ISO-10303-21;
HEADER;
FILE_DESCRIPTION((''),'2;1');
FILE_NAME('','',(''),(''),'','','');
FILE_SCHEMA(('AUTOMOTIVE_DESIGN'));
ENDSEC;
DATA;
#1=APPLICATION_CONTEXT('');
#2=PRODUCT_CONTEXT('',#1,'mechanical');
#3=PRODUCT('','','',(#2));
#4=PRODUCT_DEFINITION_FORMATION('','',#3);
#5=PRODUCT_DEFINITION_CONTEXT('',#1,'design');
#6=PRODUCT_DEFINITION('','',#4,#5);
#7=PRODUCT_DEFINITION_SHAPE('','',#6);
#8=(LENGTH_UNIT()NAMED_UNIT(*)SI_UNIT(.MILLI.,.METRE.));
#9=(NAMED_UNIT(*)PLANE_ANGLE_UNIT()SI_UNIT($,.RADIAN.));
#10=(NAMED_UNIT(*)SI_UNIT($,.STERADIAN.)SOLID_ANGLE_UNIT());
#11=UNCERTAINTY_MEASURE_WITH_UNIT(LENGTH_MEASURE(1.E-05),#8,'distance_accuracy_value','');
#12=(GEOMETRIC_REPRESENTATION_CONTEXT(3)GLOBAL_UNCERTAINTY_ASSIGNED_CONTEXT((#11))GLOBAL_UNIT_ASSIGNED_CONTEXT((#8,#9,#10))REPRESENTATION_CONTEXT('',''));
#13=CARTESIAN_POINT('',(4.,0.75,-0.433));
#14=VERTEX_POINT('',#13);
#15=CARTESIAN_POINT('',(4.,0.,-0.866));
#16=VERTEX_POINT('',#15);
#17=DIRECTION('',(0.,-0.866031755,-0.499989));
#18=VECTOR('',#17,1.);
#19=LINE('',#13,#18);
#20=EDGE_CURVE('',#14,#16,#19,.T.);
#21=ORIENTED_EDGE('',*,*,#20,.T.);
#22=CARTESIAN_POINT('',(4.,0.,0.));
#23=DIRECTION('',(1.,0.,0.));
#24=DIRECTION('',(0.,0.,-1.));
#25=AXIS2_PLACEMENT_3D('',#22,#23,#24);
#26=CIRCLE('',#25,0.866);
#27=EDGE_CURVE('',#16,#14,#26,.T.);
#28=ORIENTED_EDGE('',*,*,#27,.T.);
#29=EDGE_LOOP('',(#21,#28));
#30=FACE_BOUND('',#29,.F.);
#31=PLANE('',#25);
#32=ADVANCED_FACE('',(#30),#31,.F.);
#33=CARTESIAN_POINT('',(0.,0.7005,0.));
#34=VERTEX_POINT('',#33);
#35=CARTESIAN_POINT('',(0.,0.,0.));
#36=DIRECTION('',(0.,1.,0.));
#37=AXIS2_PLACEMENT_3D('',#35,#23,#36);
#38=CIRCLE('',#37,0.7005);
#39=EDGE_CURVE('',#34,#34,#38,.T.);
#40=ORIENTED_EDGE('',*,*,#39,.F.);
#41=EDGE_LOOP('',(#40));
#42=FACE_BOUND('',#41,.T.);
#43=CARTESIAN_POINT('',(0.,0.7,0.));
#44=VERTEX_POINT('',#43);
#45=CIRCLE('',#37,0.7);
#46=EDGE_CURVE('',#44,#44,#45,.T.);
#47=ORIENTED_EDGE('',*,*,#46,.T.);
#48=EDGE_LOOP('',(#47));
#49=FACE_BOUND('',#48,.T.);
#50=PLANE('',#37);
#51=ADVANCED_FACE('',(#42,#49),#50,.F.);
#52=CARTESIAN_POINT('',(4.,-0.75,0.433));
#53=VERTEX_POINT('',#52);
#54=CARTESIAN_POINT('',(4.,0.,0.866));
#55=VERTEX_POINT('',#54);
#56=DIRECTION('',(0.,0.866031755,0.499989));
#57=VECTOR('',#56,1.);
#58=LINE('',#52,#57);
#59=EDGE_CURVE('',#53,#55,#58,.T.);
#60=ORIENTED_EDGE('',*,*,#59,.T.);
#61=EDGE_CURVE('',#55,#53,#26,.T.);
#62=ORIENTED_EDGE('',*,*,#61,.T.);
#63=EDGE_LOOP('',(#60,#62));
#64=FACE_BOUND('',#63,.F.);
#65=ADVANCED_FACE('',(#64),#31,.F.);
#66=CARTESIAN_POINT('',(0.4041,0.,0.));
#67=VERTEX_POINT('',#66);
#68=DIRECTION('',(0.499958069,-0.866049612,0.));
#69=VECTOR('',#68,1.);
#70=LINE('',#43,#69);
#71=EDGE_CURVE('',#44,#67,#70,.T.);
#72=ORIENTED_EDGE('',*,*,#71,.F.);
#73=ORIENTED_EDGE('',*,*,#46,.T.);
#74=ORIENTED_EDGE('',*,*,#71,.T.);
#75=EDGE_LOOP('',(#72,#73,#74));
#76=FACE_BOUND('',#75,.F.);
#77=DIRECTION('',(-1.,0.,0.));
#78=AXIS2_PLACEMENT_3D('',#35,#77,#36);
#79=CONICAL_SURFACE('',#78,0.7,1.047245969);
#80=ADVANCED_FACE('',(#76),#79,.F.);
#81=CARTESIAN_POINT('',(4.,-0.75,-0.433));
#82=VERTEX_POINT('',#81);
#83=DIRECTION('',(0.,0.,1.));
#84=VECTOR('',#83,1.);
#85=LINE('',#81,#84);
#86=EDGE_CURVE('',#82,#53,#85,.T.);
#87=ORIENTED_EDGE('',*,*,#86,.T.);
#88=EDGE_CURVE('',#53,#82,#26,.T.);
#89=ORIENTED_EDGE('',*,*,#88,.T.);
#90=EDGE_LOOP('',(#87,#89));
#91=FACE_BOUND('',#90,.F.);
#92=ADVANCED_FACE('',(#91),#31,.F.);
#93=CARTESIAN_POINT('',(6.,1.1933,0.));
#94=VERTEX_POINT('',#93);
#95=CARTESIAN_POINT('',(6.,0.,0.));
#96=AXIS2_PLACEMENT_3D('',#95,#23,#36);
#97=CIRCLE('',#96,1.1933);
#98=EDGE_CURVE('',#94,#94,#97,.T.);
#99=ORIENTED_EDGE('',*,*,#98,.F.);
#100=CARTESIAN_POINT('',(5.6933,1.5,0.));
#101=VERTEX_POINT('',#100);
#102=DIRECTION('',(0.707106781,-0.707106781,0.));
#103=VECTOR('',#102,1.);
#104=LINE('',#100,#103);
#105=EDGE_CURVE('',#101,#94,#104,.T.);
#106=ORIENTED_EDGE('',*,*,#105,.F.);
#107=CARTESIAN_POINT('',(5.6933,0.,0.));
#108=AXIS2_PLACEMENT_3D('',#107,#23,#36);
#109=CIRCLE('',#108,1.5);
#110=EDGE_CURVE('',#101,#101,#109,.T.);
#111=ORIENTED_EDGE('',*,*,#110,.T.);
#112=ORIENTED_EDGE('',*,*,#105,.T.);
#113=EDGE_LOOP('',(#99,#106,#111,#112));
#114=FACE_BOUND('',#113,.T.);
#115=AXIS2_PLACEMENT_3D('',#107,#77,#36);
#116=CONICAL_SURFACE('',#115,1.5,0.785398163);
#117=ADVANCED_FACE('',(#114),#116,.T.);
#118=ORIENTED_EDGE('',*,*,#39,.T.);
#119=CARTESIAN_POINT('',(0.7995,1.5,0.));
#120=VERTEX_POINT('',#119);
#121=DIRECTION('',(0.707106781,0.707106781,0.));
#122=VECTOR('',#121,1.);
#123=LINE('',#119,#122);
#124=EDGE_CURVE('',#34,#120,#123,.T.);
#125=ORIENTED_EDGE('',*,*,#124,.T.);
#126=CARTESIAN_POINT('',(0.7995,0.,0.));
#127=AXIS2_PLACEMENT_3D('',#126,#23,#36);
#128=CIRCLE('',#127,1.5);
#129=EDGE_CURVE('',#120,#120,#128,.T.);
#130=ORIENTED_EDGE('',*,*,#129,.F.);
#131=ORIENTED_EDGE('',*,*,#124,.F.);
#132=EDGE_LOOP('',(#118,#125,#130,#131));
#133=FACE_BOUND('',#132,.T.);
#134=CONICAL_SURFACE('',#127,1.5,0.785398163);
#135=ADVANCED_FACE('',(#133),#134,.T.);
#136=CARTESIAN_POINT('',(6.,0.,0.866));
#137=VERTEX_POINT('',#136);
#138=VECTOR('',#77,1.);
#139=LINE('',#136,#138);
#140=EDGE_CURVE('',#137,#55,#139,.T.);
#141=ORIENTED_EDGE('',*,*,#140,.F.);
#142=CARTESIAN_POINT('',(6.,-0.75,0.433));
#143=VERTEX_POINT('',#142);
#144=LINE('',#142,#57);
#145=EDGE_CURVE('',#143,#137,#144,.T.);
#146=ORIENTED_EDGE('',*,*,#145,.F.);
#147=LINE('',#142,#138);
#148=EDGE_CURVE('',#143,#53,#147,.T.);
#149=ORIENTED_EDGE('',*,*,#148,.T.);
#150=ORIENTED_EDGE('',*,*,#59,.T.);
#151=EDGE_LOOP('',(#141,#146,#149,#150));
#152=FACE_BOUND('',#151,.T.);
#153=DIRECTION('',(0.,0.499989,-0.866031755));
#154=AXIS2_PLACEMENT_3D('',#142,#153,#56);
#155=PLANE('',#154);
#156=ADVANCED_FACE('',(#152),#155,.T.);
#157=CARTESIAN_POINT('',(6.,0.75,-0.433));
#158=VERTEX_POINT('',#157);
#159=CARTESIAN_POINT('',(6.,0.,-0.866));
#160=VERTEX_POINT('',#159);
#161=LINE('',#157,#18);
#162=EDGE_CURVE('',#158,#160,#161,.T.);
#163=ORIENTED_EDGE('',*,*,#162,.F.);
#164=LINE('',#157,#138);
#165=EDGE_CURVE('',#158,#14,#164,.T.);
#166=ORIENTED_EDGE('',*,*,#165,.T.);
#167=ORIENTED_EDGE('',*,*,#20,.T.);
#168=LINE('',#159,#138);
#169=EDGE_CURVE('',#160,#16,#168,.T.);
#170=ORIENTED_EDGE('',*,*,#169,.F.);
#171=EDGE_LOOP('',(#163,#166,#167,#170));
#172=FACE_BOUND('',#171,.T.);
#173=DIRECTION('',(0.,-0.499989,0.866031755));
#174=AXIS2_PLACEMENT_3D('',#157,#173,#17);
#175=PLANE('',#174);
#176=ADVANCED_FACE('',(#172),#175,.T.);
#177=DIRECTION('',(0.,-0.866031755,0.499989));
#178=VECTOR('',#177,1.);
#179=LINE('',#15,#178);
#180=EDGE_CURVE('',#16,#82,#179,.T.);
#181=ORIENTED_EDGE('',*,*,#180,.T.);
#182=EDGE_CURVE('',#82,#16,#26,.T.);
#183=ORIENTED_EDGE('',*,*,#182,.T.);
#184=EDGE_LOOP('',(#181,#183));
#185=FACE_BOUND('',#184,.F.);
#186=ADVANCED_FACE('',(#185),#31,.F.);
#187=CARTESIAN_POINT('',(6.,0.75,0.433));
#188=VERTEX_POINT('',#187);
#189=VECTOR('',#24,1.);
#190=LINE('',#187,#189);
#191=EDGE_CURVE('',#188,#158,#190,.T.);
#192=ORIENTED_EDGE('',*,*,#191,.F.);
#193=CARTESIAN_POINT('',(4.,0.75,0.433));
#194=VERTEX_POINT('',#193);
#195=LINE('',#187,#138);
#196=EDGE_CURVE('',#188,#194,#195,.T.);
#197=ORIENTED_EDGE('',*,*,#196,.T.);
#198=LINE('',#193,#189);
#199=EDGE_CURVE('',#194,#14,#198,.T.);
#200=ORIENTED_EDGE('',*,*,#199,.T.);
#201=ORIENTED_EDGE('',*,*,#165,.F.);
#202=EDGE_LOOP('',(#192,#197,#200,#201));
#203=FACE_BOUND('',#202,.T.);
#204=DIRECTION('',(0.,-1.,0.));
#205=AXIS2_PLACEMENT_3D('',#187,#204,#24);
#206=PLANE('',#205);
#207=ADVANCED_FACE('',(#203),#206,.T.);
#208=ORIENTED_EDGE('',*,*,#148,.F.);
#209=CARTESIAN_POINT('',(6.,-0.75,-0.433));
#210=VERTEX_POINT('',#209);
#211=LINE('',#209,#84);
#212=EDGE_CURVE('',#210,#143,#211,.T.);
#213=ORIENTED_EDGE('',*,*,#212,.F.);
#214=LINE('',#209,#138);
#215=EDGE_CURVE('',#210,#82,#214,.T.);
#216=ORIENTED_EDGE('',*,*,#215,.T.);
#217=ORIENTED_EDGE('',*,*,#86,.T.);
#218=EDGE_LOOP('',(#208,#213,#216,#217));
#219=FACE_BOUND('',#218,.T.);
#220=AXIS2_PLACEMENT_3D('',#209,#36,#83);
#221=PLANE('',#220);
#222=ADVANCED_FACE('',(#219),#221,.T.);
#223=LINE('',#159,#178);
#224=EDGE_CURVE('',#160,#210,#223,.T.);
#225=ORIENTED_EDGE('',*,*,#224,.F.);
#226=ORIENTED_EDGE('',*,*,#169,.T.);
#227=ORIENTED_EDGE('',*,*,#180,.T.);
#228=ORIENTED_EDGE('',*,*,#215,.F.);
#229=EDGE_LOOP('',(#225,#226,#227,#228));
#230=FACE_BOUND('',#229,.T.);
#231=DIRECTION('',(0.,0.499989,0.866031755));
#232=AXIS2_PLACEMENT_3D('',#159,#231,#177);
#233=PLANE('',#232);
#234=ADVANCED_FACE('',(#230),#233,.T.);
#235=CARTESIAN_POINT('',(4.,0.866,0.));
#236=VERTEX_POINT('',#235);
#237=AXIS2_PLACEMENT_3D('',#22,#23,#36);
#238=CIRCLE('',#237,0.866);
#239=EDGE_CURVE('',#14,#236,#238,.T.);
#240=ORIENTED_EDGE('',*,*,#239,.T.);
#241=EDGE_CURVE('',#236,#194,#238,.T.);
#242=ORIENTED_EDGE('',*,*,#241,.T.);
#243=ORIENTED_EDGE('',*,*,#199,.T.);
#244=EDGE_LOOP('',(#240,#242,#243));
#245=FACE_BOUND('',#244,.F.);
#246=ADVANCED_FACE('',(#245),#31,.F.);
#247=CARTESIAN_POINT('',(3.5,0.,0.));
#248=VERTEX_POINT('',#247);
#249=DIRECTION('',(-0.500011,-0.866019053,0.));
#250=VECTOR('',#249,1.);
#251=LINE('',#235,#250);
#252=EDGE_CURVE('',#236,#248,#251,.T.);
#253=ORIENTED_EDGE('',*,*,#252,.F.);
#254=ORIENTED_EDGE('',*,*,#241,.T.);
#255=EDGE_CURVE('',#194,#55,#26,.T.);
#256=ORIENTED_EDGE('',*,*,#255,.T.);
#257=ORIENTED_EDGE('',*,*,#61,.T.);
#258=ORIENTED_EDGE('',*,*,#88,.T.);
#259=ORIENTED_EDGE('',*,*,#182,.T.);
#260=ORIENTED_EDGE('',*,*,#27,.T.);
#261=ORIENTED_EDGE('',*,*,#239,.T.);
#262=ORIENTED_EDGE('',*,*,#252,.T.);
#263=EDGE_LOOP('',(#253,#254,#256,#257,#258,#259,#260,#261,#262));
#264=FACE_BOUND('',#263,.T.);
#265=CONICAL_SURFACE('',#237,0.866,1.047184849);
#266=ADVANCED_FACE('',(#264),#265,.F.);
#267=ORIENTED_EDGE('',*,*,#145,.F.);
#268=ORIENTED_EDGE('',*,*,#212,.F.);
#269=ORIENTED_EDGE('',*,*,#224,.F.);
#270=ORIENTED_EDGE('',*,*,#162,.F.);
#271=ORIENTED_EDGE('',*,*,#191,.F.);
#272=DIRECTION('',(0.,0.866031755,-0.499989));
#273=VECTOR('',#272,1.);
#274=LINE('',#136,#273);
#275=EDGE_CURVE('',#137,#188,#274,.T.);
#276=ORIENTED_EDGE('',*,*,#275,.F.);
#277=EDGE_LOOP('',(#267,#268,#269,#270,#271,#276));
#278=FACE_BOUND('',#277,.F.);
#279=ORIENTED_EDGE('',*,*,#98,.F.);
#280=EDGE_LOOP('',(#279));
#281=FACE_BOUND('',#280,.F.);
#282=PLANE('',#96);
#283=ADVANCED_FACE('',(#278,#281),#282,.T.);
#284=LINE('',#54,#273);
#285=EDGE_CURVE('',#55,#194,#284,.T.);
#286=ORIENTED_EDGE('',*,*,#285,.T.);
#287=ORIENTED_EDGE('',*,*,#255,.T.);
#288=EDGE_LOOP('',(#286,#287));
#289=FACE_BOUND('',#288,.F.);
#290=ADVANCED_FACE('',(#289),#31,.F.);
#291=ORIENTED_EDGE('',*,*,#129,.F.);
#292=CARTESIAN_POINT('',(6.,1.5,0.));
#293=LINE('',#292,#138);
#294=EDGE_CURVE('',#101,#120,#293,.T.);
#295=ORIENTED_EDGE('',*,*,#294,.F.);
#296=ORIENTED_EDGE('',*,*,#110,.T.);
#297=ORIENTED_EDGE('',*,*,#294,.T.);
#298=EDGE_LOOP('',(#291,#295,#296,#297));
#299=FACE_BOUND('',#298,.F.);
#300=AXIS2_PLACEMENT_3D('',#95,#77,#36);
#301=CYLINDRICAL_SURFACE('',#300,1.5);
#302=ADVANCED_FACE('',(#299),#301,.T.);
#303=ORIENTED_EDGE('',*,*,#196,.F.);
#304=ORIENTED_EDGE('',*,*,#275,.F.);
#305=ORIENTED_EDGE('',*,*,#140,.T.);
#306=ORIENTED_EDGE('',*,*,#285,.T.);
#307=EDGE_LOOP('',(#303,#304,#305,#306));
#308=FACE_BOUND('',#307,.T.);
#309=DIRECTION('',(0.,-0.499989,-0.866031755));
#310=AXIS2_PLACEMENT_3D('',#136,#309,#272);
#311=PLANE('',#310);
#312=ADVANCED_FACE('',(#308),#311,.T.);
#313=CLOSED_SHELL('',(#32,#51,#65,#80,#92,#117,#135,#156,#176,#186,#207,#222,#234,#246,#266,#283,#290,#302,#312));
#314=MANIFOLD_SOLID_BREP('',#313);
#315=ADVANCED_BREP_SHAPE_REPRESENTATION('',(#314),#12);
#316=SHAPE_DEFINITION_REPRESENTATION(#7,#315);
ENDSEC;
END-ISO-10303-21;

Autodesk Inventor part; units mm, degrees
ref_plane "YZ Plane" through (0, 0, 0) normal (1, 0, 0) x (0, 1, 0)
ref_plane "XZ Plane" through (0, 0, 0) normal (0, 1, 0) x (-1, 0, 0)
sketch "Náčrt1" plane through (0, 0, 0) normal (0, 0, 1) x (1, 0, 0)
  line L0 (0.4041, 0) -> (3.5, 0)
  line L1 (6, 0.866) -> (6, 1.5)
  line L2 (6, 1.5) -> (0, 1.5)
  line L3 (6, 0.866) -> (4, 0.866)
  line L4 (4, 0.866) -> (3.5, 0)
  line L5 (0, 0.7) -> (0.4041, 0)
  line L6 (0, -0.3) -> (0, 1.8) projected
  line L7 (0, 0.7) -> (0, 1.5)
  point P0 (0, 0)
  dimension "d0" = 2
  dimension "d1" = 60
  dimension "d2" = 3
  dimension "d3" = 1.7321
  dimension "d4" = 6
  dimension "d5" = 60
  dimension "d7" = 1.4
revolve "Těleso" add sketch "Náčrt1" angle 360 about axis through (0.4041, 0, 0) along (1, 0, 0)
sketch "Náčrt2" plane through (6, 0, 0) normal (1, 0, 0) x (0, 0, -1)
  circle A0 centre (0, 0) radius 0.866 projected
  circle A1 centre (0, 0) radius 1.5 projected
  line L0 (0.866, 0) -> (0.433, -0.75)
  line L1 (0.433, -0.75) -> (-0.433, -0.75)
  line L2 (-0.433, -0.75) -> (-0.866, 0)
  line L3 (-0.866, 0) -> (-0.433, 0.75)
  line L4 (-0.433, 0.75) -> (0.433, 0.75)
  line L5 (0.433, 0.75) -> (0.866, 0)
extrude "Drážka" add sketch "Náčrt2" against normal blind 2 contours L5 A0 | A0 L0 | L4 A0 | A0 L1 | L3 A0 | A0 L2
chamfer "Zkosení1" distance 0.8 angle 45 1 edges at (0, -1.5, 0) measured on face at (0, 1.2188, -0.1197)
thread "Závit" size "M3x0.5" class "6g" standard "ISO Metric profile" length 6
chamfer "Zkosení2" distance 0.3067 angle 45 1 edges at (6, -1.5, 0) measured on face at (2.533, 1.4951, -0.1207)
ref_plane "Work Plane1" through (3, 0, 0) normal (0, -0.5, -0.866) x (1, 0, 0)
equation "\"d8\" = INTI"
equation "\"d10\" = -0.5 * SPD + 0.5 * NND"
equation "\"d11\" = FAWI1"
equation "\"d33\" = -0.5 * SPD + 0.5 * NND"
equation "\"d14\" = NLG"
equation "\"d12\" = -0.5 * GD1 + 0.5 * NND"
equation "\"d13\" = FAWI"
equation "\"d34\" = -0.5 * GD1 + 0.5 * NND"
equation "\"d0\" = INTI"
equation "\"d2\" = NND"
equation "\"d3\" = 1.1547 * SW"
equation "\"d4\" = NLG"
equation "\"d5\" = 0.5 * ANG"
equation "\"d7\" = SPD"
equation "\"NND\" = 3"
equation "\"NLG\" = 6"
equation "\"INTI\" = 2"
equation "\"FAWI\" = 45deg"
equation "\"SW\" = 1.5"
equation "\"GD1\" = THREADDIA - 1.2269 * PTC"
equation "\"ANG\" = 120deg"
equation "\"FAWI1\" = 45deg"
equation "\"SPD\" = 1.4"
equation "\"GUL\" = 0.61345 * PTC"
equation "\"TOA\" = 30deg"
equation "\"THREADDIA\" = 3"
equation "\"PTC\" = 0.5"
equation "\"GAL\" = 0.61345 * PTC"
equation "\"E0\" = 1.155 * SW"
properties part number "DIN 916 - M3  x  6" material "Ocel, měkká"
